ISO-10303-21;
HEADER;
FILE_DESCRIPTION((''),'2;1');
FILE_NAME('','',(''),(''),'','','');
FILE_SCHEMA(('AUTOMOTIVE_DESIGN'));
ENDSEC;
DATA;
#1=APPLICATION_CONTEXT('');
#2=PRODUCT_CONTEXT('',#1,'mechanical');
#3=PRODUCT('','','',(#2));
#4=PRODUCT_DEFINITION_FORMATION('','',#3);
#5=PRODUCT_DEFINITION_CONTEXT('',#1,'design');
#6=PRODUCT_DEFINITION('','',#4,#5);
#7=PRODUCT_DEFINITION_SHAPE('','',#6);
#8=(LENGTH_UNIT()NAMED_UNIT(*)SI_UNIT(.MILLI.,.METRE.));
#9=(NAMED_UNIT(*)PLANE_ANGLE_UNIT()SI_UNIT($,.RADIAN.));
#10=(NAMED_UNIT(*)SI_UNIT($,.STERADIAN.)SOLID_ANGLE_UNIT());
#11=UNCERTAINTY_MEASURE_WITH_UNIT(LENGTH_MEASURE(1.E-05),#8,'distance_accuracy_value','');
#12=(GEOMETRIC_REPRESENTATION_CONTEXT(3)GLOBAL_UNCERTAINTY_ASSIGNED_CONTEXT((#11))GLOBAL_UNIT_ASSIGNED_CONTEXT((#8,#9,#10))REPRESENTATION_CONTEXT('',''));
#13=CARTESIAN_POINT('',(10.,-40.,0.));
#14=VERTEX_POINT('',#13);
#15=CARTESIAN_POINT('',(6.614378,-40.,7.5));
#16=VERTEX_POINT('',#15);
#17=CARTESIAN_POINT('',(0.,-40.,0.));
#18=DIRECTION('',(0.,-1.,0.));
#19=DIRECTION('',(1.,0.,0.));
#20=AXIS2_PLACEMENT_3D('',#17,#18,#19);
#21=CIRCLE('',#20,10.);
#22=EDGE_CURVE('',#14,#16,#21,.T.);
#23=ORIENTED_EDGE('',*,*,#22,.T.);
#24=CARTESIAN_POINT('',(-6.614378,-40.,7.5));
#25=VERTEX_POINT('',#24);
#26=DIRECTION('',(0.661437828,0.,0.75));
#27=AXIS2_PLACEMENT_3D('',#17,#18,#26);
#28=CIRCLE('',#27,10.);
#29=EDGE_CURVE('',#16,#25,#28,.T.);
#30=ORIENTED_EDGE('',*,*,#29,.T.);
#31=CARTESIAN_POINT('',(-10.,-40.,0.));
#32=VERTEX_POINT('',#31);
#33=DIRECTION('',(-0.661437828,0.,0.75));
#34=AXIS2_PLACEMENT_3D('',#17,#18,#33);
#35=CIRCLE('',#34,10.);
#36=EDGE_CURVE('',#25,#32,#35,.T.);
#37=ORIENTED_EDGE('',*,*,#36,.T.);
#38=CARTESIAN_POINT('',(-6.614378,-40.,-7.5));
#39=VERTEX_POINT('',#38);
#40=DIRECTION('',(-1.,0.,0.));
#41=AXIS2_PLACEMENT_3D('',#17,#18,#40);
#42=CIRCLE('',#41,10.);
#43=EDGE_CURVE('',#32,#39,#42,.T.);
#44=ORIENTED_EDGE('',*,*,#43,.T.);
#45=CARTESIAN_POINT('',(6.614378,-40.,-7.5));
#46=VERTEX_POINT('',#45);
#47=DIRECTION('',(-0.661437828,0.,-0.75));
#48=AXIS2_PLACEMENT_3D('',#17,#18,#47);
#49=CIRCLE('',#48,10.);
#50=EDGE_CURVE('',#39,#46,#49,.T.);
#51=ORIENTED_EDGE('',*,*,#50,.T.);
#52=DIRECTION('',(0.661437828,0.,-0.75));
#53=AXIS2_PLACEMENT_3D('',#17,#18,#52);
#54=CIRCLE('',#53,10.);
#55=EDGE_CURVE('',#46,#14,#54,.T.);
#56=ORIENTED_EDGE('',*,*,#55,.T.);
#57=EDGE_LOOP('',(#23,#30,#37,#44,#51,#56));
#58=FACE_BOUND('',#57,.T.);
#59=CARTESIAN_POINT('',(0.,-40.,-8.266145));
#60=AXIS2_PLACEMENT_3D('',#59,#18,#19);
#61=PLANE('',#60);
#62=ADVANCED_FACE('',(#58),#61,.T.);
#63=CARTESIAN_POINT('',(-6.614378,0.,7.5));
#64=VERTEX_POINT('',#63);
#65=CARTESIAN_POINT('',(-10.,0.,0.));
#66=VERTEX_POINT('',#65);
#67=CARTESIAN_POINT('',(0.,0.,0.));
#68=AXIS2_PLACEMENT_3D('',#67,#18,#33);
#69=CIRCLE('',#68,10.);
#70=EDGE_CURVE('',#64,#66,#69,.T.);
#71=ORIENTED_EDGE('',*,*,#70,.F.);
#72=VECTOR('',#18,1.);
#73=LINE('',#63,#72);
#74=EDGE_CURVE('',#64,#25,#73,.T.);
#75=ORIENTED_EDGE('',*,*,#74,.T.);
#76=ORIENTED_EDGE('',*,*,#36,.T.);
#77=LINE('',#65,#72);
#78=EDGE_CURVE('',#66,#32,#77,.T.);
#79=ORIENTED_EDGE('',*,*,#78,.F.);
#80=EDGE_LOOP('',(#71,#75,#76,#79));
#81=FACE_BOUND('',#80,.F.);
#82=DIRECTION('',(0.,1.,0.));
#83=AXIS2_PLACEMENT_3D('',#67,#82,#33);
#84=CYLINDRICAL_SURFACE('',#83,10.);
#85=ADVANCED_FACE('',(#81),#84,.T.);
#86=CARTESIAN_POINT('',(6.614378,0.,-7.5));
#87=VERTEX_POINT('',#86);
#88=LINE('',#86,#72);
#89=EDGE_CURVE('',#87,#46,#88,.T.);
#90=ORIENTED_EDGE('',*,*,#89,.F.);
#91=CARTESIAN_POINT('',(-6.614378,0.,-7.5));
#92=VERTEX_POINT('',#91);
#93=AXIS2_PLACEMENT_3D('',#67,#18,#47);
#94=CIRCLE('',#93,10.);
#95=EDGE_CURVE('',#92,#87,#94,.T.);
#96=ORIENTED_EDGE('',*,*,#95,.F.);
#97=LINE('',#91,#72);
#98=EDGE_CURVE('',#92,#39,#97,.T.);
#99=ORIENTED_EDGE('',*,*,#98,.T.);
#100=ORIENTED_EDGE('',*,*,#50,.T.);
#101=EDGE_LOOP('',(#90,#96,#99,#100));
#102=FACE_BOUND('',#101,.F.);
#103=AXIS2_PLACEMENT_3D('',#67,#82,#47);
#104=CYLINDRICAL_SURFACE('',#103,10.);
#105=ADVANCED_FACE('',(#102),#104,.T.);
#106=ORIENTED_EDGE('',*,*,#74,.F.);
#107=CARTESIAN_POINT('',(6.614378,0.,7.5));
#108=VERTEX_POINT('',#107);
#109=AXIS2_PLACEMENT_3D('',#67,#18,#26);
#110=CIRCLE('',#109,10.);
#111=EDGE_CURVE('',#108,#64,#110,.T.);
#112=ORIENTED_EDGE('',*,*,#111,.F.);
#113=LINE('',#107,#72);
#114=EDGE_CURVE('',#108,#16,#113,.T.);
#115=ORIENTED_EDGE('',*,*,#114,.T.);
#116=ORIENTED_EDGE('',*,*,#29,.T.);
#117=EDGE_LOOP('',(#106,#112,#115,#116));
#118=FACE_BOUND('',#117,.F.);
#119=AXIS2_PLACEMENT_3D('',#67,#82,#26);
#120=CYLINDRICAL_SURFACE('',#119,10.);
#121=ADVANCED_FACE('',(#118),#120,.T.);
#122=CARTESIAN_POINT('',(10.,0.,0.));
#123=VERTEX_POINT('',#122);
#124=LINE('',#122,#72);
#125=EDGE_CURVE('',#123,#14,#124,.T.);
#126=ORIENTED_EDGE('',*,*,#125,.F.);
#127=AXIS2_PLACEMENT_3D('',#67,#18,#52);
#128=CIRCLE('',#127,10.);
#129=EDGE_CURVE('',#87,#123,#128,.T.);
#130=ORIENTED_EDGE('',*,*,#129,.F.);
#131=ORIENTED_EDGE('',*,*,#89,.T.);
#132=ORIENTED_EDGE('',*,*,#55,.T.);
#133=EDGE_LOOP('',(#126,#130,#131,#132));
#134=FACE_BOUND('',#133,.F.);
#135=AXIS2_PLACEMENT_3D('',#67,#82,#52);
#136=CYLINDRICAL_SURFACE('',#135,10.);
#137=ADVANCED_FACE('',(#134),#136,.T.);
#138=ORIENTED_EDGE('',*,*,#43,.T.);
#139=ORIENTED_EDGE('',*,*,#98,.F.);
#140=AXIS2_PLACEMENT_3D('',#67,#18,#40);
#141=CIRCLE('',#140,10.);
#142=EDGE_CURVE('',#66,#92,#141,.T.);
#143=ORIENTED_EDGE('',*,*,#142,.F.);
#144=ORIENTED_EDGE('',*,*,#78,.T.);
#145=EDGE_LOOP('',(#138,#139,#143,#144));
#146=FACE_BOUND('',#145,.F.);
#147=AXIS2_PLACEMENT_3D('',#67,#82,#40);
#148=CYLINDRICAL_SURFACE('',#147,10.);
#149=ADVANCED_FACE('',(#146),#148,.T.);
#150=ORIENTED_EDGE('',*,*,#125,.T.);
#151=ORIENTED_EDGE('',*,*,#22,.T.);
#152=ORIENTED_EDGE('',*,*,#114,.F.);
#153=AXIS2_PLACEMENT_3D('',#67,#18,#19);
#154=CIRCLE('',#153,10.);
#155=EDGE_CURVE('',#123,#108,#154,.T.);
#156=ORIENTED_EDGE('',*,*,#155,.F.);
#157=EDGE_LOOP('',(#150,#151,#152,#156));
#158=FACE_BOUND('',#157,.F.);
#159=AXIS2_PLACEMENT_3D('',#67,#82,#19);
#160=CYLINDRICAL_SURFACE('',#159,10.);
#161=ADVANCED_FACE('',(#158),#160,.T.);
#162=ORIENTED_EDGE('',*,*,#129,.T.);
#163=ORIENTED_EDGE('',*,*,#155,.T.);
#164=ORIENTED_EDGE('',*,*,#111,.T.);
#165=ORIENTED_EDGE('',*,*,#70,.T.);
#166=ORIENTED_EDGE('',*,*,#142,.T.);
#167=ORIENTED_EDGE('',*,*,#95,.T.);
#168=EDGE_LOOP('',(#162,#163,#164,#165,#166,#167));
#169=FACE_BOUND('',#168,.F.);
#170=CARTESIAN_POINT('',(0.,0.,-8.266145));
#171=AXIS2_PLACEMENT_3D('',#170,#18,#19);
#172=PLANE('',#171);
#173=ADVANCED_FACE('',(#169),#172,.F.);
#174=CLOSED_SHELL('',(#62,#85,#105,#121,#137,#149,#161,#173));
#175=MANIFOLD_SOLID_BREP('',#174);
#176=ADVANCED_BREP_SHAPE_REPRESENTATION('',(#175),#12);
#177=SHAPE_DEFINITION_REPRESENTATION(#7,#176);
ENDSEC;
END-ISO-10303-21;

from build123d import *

# Parameters (mm, degrees)
F1_DEPTH = 40


with BuildPart() as f1:
    # F0 (on Front) → F1 (new body)
    with BuildSketch(Plane.XZ):
        with BuildLine():
            ThreePointArc((-6.6143782777, -7.5), (0, -10), (6.6143782777, -7.5))
            Line((6.6143782777, -7.5), (2.3e-08, -7.5))
            Line((2.3e-08, -7.5), (-6.6143782777, -7.5))
        make_face()
        with BuildLine():
            ThreePointArc((6.6143782777, -7.5), (9.1143782777, -4.1143782777), (10, 0))
            Line((10, 0), (7.5, 0))
            ThreePointArc((7.5, 0), (5.303300867, -5.3033008508), (2.3e-08, -7.5))
            Line((2.3e-08, -7.5), (6.6143782777, -7.5))
        make_face()
        with BuildLine():
            ThreePointArc((10, 0), (9.1143782777, 4.1143782777), (6.6143782777, 7.5))
            Line((6.6143782777, 7.5), (2.31e-08, 7.5))
            ThreePointArc((2.31e-08, 7.5), (5.3033008671, 5.3033008507), (7.5, 0))
            Line((7.5, 0), (10, 0))
        make_face()
        with BuildLine():
            Line((2.31e-08, 7.5), (6.6143782777, 7.5))
            ThreePointArc((6.6143782777, 7.5), (0, 10), (-6.6143782777, 7.5))
            Line((-6.6143782777, 7.5), (2.31e-08, 7.5))
        make_face()
        with BuildLine():
            ThreePointArc((-7.5, 0), (-5.3033008507, 5.3033008671), (2.31e-08, 7.5))
            Line((2.31e-08, 7.5), (-6.6143782777, 7.5))
            ThreePointArc((-6.6143782777, 7.5), (-9.1143782777, 4.1143782777), (-10, 0))
            Line((-10, 0), (-7.5, 0))
        make_face()
        with BuildLine():
            ThreePointArc((2.3e-08, -7.5), (-5.3033008508, -5.303300867), (-7.5, 0))
            Line((-7.5, 0), (-10, 0))
            ThreePointArc((-10, 0), (-9.1143782777, -4.1143782777), (-6.6143782777, -7.5))
            Line((-6.6143782777, -7.5), (2.3e-08, -7.5))
        make_face()
        with BuildLine():
            ThreePointArc((7.5, 0), (5.3033008671, 5.3033008507), (2.31e-08, 7.5))
            ThreePointArc((2.31e-08, 7.5), (-5.3033008507, 5.3033008671), (-7.5, 0))
            ThreePointArc((-7.5, 0), (-5.3033008508, -5.303300867), (2.3e-08, -7.5))
            ThreePointArc((2.3e-08, -7.5), (5.303300867, -5.3033008508), (7.5, 0))
        make_face()
    extrude(amount=F1_DEPTH)


solid = f1.part
